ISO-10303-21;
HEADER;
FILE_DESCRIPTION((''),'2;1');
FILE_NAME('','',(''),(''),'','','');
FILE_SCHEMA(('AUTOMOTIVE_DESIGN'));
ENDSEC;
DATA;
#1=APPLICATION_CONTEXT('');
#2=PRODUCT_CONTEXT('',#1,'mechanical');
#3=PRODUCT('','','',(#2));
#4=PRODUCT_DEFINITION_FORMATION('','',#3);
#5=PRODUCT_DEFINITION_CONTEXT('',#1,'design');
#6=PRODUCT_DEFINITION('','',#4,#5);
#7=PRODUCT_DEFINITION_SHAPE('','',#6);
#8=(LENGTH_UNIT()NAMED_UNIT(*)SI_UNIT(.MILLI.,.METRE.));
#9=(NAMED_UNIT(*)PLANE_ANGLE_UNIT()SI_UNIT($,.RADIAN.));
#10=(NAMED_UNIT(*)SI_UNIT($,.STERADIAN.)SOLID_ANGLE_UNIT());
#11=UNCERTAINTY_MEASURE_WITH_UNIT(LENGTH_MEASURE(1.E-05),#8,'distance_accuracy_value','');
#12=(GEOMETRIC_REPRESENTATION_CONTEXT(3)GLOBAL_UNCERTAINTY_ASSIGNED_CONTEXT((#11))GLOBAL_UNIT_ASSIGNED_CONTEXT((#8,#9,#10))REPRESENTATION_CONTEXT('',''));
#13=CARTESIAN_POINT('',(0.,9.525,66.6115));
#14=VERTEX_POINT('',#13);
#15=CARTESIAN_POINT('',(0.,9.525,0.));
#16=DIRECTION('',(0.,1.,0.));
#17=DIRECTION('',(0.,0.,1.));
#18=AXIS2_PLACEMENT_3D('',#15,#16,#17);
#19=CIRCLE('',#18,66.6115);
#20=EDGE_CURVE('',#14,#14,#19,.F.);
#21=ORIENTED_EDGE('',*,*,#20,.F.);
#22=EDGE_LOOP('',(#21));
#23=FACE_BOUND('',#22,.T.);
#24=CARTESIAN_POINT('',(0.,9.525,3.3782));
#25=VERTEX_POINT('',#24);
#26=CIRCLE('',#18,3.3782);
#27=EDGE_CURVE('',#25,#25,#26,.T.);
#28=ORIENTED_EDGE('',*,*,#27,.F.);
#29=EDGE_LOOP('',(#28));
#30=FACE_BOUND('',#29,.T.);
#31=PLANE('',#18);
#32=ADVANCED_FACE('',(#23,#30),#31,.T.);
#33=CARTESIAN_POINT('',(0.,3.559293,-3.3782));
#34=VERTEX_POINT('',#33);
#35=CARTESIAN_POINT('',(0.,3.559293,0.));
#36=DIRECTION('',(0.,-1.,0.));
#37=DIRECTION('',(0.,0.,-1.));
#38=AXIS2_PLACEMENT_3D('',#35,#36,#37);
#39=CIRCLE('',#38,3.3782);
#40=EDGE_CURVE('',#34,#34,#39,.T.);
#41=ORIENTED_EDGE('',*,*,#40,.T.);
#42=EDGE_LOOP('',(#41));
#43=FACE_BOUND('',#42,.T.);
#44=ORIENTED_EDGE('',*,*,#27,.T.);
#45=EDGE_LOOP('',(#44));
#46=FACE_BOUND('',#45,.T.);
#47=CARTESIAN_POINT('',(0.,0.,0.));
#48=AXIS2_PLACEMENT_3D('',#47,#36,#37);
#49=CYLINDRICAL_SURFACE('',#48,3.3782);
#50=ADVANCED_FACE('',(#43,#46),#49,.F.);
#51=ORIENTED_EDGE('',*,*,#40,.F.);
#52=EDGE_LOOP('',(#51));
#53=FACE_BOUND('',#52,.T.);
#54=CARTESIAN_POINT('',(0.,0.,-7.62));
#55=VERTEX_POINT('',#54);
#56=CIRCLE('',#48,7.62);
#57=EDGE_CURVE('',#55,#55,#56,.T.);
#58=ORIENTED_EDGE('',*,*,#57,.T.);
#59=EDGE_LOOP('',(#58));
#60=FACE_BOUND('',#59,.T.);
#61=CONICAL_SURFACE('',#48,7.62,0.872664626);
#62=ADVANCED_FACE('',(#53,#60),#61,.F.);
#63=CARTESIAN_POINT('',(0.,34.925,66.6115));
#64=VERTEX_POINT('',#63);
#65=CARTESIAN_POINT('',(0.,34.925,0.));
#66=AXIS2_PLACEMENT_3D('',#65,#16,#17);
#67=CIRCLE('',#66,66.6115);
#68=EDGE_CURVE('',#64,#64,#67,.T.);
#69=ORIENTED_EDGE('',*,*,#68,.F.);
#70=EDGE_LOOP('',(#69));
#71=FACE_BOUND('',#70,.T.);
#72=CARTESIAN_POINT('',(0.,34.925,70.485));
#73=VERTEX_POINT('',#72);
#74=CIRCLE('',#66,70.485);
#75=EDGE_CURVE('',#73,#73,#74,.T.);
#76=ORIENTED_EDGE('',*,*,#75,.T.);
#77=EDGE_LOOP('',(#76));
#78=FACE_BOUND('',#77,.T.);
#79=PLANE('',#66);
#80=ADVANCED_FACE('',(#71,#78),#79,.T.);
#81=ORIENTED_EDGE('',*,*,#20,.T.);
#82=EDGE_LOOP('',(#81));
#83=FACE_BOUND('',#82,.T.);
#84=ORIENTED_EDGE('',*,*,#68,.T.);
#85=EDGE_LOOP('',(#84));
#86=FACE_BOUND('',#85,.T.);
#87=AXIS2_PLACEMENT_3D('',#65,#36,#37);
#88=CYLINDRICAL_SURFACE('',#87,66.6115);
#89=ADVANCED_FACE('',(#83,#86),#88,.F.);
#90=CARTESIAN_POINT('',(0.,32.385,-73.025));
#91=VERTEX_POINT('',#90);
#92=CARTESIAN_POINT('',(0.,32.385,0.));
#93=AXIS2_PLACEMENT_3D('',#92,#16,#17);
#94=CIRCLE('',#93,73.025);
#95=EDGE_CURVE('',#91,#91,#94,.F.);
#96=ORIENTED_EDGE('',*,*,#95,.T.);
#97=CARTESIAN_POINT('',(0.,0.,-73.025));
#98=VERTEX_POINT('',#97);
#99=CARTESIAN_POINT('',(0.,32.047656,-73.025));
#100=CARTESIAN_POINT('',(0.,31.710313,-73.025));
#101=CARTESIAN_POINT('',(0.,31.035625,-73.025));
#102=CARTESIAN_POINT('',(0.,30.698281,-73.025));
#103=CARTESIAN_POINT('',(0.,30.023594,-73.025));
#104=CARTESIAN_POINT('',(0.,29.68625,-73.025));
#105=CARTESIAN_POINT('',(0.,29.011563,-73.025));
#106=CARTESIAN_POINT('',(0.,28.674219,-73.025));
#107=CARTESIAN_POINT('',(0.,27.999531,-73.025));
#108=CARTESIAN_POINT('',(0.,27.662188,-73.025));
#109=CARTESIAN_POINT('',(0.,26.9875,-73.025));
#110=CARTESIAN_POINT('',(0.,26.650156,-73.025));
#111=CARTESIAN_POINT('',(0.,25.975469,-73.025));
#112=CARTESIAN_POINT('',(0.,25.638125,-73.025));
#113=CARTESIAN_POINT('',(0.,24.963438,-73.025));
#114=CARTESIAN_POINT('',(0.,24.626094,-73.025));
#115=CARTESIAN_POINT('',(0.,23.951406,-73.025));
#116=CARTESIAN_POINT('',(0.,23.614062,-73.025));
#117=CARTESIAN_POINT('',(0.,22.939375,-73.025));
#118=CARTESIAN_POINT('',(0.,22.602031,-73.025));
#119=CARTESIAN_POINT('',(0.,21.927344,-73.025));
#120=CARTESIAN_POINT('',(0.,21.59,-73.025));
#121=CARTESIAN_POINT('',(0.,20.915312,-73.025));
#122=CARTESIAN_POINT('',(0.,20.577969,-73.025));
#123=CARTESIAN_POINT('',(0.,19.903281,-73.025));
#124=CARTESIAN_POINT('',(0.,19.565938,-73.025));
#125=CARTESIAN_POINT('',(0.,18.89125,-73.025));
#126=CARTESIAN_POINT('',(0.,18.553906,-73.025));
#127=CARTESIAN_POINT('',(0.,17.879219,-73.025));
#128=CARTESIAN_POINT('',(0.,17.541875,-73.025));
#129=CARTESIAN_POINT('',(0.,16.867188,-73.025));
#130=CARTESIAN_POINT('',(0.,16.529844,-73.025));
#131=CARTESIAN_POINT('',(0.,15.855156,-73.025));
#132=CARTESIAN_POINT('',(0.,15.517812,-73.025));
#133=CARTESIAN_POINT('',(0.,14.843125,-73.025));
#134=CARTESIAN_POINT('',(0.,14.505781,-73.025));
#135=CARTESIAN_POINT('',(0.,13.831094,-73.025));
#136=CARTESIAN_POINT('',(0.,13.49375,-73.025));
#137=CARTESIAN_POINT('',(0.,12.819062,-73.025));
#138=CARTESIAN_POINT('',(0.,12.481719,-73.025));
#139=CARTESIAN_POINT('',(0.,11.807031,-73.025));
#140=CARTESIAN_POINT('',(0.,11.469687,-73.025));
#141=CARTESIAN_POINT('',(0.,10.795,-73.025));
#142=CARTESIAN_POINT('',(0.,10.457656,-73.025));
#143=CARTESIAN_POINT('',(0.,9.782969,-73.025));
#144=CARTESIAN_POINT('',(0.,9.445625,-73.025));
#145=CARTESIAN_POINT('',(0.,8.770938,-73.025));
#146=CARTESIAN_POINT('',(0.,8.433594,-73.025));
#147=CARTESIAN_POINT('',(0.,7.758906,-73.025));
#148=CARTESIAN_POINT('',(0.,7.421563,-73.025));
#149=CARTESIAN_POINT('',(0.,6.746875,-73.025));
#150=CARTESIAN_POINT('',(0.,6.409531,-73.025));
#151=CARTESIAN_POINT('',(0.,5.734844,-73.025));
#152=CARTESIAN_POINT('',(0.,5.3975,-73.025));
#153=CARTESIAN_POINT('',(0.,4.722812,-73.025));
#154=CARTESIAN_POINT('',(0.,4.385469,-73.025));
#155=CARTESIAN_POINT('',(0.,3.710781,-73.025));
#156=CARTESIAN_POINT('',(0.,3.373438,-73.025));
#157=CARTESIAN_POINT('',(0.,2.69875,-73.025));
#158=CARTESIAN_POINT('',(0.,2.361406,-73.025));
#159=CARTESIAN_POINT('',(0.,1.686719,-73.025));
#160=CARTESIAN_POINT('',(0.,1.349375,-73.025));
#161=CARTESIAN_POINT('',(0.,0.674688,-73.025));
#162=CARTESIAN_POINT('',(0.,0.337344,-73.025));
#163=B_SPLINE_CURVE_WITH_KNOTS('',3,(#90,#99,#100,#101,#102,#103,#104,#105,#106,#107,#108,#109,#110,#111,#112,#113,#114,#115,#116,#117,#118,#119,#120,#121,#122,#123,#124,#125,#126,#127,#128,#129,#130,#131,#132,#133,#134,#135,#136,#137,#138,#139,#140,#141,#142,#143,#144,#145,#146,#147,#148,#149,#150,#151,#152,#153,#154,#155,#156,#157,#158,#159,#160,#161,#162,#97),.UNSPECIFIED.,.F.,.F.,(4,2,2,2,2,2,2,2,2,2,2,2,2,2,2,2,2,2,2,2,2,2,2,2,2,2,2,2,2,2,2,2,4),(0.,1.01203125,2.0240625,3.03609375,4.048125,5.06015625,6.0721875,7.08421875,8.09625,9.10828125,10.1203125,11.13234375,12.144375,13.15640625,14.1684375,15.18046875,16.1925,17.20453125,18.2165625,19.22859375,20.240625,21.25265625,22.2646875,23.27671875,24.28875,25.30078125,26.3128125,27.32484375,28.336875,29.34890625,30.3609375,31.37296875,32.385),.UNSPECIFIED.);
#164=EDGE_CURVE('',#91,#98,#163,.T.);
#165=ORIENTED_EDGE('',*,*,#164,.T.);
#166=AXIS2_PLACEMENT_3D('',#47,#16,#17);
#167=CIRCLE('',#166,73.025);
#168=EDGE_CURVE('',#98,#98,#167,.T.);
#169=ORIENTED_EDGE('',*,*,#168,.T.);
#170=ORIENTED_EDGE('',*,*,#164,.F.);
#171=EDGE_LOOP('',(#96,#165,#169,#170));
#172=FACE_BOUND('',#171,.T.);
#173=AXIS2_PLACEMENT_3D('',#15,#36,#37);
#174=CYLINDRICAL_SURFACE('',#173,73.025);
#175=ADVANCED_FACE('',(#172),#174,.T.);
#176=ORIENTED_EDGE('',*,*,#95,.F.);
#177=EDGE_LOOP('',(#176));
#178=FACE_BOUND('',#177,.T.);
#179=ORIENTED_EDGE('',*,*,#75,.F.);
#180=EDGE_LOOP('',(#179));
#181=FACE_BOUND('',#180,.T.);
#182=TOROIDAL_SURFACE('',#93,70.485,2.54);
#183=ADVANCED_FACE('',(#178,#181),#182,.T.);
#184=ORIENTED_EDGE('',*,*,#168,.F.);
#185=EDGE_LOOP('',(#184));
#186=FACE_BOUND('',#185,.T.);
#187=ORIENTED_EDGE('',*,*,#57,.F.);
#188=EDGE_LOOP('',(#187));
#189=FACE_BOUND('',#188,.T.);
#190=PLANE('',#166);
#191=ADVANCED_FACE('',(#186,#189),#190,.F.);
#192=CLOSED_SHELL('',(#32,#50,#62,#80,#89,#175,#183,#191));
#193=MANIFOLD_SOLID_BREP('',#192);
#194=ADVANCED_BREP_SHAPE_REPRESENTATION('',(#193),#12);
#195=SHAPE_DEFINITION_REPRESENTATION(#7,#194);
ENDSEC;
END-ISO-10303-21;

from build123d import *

# Parameters (mm, degrees)
SKETCH1_R                                           = 73.025
BOSS_EXTRUDE1_DEPTH                                 = 9.525
SKETCH2_R                                           = 73.025
SKETCH2_R_2                                         = 66.6115
BOSS_EXTRUDE2_DEPTH                                 = 25.4
CSK_FOR_1_4_FLAT_HEAD_MACHINE_SCREW_100_D           = 6.7564
CSK_FOR_1_4_FLAT_HEAD_MACHINE_SCREW_100_DEPTH       = 10.16
CSK_FOR_1_4_FLAT_HEAD_MACHINE_SCREW_100_CSINK_D     = 15.24
CSK_FOR_1_4_FLAT_HEAD_MACHINE_SCREW_100_CSINK_ANGLE = 100
CSK_FOR_1_4_FLAT_HEAD_MACHINE_SCREW_100_TIP         = 2.029827343
FILLET1_R                                           = 2.54


with BuildPart() as part:
    # Sketch1 → Boss-Extrude1 (new body)
    with BuildSketch(Plane(origin=(0, 0, 0), x_dir=(1, 0, 0), z_dir=(0, 1, 0))):
        with Locations(Location((0, 0, 0), (0, 0, 90))):
            Circle(SKETCH1_R)
    extrude(amount=BOSS_EXTRUDE1_DEPTH)

    # Sketch2 → Boss-Extrude2 (add)
    with BuildSketch(Plane(origin=(0, 9.525, 0), x_dir=(1, 0, 0), z_dir=(0, 1, 0))):
        with Locations(Location((0, 0, 0), (0, 0, 90))):
            Circle(SKETCH2_R)
        with Locations(Location((0, 0, 0), (0, 0, 270))):
            Circle(SKETCH2_R_2, mode=Mode.SUBTRACT)
    extrude(amount=BOSS_EXTRUDE2_DEPTH)

    # CSK for 1/4 Flat Head Machine Screw (100)1
    with Locations(Plane(origin=(0, 0, 0), x_dir=(-1, 0, 0), z_dir=(0, -1, 0))):
        with Locations((0, 0)):
            CounterSinkHole(CSK_FOR_1_4_FLAT_HEAD_MACHINE_SCREW_100_D / 2, CSK_FOR_1_4_FLAT_HEAD_MACHINE_SCREW_100_CSINK_D / 2, depth=CSK_FOR_1_4_FLAT_HEAD_MACHINE_SCREW_100_DEPTH, counter_sink_angle=CSK_FOR_1_4_FLAT_HEAD_MACHINE_SCREW_100_CSINK_ANGLE)
            with Locations((0, 0, -(CSK_FOR_1_4_FLAT_HEAD_MACHINE_SCREW_100_DEPTH + CSK_FOR_1_4_FLAT_HEAD_MACHINE_SCREW_100_TIP / 2))):  # 118° drill point
                Cone(0, CSK_FOR_1_4_FLAT_HEAD_MACHINE_SCREW_100_D / 2, CSK_FOR_1_4_FLAT_HEAD_MACHINE_SCREW_100_TIP, mode=Mode.SUBTRACT)

    # Fillet1
    fillet1_edges = [part.edges().sort_by_distance(p)[0] for p in [
        (0, 34.925, 73.025),
    ]]
    fillet(fillet1_edges, radius=FILLET1_R)


solid = part.part
